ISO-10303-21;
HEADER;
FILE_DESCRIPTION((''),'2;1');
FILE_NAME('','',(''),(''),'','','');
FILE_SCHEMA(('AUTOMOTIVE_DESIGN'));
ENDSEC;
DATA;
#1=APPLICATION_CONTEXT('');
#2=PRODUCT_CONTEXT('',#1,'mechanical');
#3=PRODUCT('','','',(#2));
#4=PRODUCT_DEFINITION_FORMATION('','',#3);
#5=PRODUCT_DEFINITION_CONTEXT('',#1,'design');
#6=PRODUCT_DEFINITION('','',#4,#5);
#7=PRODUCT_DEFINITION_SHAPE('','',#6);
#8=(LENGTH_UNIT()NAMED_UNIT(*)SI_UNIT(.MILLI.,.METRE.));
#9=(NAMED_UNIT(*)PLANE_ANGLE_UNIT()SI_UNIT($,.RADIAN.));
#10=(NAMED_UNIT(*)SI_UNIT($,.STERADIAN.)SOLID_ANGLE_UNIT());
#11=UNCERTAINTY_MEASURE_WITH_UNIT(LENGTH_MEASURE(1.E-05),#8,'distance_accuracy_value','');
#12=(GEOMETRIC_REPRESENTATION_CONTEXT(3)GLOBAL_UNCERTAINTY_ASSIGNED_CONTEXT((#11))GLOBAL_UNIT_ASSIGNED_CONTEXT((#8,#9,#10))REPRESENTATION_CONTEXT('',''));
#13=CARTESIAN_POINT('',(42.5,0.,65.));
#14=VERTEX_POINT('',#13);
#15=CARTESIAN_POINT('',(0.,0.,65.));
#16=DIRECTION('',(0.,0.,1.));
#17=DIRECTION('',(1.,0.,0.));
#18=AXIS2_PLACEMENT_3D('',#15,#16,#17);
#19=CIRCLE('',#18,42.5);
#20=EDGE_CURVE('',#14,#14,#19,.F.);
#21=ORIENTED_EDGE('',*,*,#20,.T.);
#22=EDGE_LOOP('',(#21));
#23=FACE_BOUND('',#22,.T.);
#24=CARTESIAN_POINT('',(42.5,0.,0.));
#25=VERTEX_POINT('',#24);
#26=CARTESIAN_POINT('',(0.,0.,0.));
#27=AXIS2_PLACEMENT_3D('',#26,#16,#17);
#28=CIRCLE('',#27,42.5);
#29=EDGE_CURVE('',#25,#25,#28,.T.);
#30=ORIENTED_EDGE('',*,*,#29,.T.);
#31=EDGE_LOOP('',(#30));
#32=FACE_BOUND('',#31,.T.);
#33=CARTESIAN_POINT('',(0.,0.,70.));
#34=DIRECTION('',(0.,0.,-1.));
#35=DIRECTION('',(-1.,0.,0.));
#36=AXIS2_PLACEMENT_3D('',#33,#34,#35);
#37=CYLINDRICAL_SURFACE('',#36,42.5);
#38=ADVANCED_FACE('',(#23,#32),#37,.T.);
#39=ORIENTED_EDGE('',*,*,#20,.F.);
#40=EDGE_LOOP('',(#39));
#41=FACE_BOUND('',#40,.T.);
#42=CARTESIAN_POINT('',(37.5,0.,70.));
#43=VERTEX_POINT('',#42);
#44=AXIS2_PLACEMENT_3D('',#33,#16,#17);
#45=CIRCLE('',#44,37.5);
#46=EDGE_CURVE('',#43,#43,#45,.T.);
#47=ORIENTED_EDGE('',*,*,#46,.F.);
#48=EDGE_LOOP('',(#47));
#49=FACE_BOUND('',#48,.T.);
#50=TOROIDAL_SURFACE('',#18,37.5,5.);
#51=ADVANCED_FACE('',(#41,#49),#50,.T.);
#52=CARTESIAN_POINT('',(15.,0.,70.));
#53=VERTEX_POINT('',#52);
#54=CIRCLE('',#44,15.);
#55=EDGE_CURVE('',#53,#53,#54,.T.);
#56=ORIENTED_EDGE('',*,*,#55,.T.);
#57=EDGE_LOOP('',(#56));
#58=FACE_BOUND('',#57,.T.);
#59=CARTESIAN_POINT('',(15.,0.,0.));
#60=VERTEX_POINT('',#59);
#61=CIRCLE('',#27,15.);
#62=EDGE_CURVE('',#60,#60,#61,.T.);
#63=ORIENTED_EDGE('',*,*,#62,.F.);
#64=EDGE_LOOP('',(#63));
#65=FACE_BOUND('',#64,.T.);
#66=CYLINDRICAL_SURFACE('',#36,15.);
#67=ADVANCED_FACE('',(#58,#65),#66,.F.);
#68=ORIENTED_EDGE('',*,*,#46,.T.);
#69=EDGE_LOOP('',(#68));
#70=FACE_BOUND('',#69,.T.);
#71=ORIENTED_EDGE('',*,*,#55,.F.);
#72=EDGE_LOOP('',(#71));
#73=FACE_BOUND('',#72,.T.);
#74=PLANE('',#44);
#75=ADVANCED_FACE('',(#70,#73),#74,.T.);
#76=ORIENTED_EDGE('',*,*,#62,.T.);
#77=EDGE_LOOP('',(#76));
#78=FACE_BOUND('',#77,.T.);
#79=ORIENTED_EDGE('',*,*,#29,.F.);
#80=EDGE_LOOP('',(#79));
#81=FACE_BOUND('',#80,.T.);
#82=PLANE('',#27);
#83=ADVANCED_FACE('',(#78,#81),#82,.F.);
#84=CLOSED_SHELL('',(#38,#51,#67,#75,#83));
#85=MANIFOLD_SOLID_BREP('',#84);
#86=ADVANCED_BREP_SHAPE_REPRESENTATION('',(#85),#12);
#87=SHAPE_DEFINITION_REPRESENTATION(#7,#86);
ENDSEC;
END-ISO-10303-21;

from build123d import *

# Parameters (mm, degrees)
SKETCH1_R           = 42.5
SKETCH1_R_2         = 15
BOSS_EXTRUDE1_DEPTH = 70
FILLET1_R           = 5


with BuildPart() as part:
    # Sketch1 → Boss-Extrude1 (new body)
    with BuildSketch(Plane.XY):
        Circle(SKETCH1_R)
        Circle(SKETCH1_R_2, mode=Mode.SUBTRACT)
    extrude(amount=BOSS_EXTRUDE1_DEPTH)

    # Fillet1
    fillet1_edges = [part.edges().sort_by_distance(p)[0] for p in [
        (-42.5, 0, 70),
    ]]
    fillet(fillet1_edges, radius=FILLET1_R)


solid = part.part
